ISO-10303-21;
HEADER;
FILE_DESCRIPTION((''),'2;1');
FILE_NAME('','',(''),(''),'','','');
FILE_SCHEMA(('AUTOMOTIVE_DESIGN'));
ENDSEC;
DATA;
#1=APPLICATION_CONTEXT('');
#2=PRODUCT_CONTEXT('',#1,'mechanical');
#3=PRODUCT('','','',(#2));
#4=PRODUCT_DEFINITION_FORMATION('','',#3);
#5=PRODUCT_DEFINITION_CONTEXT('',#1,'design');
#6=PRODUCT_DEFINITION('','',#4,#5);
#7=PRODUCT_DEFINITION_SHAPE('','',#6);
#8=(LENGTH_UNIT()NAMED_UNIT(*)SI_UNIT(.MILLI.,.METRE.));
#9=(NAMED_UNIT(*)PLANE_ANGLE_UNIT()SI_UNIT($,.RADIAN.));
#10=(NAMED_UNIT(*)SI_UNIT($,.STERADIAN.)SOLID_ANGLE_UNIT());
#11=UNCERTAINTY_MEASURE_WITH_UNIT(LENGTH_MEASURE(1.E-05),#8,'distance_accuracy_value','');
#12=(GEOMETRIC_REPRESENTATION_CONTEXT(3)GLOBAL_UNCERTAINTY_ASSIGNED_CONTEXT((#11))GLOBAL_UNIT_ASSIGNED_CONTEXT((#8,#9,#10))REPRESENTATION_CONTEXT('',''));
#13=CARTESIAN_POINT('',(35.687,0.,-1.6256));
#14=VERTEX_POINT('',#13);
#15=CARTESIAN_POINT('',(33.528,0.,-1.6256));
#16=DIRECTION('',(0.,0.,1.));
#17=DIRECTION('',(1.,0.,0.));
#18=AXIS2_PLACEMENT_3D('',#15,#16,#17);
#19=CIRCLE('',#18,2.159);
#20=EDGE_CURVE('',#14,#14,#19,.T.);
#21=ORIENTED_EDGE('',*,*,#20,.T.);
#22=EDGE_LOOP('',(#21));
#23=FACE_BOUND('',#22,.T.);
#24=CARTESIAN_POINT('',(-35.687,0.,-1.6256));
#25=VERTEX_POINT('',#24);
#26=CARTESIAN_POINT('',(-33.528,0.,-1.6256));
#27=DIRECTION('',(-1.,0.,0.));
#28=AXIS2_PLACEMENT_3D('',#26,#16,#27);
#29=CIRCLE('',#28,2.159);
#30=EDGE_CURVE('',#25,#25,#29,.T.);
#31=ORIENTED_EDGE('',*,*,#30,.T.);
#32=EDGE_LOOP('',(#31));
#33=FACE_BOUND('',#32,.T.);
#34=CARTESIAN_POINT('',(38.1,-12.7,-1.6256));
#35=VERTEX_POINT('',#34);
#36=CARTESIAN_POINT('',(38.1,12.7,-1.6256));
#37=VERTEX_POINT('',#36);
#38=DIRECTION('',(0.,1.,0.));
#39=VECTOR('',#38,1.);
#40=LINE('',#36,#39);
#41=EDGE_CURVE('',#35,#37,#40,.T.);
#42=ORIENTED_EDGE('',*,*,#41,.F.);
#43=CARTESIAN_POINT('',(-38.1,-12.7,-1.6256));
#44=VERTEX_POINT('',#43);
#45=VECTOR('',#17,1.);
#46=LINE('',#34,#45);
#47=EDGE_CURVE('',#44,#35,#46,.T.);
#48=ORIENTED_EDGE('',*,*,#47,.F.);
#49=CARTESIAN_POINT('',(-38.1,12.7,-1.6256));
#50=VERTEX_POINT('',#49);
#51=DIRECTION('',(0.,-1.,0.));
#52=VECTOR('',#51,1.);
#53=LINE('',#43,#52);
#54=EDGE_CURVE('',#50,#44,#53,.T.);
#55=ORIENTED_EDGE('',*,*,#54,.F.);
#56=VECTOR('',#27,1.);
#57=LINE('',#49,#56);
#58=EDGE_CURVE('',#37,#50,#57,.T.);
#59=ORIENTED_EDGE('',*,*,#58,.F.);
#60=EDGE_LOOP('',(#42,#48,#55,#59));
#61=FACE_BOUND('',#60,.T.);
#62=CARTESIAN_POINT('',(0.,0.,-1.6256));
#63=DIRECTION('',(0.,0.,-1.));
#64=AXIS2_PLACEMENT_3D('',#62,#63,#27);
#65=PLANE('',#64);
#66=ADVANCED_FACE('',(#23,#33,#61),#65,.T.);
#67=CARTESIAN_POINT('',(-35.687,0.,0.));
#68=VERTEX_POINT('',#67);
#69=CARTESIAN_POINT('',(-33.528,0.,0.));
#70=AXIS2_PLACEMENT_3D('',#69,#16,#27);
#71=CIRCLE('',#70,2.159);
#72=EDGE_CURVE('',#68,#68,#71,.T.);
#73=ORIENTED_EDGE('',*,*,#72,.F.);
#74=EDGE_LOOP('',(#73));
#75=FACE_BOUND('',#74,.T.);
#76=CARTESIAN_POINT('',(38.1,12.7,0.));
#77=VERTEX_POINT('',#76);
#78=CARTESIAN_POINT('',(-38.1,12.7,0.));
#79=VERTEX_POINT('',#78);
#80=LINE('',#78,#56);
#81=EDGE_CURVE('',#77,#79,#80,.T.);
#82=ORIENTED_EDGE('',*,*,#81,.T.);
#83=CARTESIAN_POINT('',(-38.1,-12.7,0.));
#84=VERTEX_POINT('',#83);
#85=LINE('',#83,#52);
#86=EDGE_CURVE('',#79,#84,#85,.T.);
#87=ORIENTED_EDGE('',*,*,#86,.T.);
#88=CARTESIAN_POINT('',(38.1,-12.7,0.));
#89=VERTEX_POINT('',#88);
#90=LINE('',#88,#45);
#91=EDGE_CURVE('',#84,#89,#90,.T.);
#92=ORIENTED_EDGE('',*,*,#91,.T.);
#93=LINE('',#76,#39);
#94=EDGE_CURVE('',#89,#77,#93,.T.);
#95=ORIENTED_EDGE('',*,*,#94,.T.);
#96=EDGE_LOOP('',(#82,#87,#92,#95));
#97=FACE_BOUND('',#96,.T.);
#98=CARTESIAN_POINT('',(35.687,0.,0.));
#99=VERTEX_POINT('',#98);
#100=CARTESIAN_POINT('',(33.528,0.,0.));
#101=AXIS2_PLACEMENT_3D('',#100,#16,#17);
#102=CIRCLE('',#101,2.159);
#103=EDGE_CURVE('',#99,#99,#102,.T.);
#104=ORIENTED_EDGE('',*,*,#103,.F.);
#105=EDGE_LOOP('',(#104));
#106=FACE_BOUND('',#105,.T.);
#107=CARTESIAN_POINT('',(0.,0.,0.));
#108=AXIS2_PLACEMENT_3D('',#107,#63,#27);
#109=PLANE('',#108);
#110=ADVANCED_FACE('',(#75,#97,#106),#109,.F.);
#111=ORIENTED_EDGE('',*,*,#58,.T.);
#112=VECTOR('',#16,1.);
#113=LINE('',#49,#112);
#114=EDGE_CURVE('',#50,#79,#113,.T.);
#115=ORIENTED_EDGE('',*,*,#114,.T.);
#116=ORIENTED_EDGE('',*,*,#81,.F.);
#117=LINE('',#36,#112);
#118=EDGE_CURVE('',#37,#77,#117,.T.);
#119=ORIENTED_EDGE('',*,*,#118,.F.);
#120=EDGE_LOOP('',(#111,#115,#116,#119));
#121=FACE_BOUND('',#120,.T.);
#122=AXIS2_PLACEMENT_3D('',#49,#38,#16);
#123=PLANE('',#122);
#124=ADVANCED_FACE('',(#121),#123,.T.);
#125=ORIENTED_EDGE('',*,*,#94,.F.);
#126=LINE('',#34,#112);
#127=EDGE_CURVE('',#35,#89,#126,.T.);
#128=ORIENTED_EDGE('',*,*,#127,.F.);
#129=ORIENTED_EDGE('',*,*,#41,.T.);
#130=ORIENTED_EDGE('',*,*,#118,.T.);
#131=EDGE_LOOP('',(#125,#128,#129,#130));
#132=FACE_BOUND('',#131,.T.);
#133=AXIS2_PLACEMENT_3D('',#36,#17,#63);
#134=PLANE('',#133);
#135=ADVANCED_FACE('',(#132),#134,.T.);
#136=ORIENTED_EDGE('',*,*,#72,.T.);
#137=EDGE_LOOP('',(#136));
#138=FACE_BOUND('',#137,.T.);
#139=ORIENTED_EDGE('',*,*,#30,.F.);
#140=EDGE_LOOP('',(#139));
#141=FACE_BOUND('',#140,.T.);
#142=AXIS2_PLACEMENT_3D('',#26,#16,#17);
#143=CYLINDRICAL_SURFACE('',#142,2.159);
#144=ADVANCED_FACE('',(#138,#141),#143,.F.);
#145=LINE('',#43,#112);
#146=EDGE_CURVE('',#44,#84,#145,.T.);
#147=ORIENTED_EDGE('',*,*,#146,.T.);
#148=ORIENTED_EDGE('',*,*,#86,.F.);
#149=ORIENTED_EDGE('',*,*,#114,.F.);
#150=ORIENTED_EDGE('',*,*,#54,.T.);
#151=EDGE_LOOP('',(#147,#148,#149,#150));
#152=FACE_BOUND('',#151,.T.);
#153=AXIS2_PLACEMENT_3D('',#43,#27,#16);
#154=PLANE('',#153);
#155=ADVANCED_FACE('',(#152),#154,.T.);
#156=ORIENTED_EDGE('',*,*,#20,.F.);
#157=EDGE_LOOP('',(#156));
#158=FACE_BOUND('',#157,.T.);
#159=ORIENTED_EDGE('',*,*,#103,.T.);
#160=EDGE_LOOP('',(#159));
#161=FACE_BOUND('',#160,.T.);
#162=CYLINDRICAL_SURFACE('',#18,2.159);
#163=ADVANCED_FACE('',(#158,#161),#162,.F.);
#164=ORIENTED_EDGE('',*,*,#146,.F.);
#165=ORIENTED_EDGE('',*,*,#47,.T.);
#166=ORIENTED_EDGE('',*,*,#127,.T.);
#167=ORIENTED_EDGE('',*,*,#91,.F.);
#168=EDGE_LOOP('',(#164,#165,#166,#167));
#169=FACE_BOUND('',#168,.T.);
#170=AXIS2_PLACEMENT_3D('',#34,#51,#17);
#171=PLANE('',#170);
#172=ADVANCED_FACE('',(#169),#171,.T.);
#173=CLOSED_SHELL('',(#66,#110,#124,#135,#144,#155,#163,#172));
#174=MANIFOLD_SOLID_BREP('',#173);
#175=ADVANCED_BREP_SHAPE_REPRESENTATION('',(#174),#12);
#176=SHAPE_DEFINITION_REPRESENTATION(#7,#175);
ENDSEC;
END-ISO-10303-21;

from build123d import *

# Parameters (mm, degrees)
SKETCH1_W           = 76.2
SKETCH1_H           = 25.4
BOSS_EXTRUDE1_DEPTH = 1.6256
SKETCH2_R           = 2.159
CUT_EXTRUDE1_DEPTH  = 41.19381265


with BuildPart() as part:
    # Sketch1 → Boss-Extrude1 (new body)
    with BuildSketch(Plane.XY):
        Rectangle(SKETCH1_W, SKETCH1_H)
    extrude(amount=-BOSS_EXTRUDE1_DEPTH)

    # Sketch2 → Cut-Extrude1 (cut, through all)
    with BuildSketch(Plane.XY):
        with Locations((33.528, 0)):
            Circle(SKETCH2_R)
        with Locations(Location((-33.528, 0, 0), (0, 0, 180))):
            Circle(SKETCH2_R)
    extrude(amount=-CUT_EXTRUDE1_DEPTH, mode=Mode.SUBTRACT)


solid = part.part
